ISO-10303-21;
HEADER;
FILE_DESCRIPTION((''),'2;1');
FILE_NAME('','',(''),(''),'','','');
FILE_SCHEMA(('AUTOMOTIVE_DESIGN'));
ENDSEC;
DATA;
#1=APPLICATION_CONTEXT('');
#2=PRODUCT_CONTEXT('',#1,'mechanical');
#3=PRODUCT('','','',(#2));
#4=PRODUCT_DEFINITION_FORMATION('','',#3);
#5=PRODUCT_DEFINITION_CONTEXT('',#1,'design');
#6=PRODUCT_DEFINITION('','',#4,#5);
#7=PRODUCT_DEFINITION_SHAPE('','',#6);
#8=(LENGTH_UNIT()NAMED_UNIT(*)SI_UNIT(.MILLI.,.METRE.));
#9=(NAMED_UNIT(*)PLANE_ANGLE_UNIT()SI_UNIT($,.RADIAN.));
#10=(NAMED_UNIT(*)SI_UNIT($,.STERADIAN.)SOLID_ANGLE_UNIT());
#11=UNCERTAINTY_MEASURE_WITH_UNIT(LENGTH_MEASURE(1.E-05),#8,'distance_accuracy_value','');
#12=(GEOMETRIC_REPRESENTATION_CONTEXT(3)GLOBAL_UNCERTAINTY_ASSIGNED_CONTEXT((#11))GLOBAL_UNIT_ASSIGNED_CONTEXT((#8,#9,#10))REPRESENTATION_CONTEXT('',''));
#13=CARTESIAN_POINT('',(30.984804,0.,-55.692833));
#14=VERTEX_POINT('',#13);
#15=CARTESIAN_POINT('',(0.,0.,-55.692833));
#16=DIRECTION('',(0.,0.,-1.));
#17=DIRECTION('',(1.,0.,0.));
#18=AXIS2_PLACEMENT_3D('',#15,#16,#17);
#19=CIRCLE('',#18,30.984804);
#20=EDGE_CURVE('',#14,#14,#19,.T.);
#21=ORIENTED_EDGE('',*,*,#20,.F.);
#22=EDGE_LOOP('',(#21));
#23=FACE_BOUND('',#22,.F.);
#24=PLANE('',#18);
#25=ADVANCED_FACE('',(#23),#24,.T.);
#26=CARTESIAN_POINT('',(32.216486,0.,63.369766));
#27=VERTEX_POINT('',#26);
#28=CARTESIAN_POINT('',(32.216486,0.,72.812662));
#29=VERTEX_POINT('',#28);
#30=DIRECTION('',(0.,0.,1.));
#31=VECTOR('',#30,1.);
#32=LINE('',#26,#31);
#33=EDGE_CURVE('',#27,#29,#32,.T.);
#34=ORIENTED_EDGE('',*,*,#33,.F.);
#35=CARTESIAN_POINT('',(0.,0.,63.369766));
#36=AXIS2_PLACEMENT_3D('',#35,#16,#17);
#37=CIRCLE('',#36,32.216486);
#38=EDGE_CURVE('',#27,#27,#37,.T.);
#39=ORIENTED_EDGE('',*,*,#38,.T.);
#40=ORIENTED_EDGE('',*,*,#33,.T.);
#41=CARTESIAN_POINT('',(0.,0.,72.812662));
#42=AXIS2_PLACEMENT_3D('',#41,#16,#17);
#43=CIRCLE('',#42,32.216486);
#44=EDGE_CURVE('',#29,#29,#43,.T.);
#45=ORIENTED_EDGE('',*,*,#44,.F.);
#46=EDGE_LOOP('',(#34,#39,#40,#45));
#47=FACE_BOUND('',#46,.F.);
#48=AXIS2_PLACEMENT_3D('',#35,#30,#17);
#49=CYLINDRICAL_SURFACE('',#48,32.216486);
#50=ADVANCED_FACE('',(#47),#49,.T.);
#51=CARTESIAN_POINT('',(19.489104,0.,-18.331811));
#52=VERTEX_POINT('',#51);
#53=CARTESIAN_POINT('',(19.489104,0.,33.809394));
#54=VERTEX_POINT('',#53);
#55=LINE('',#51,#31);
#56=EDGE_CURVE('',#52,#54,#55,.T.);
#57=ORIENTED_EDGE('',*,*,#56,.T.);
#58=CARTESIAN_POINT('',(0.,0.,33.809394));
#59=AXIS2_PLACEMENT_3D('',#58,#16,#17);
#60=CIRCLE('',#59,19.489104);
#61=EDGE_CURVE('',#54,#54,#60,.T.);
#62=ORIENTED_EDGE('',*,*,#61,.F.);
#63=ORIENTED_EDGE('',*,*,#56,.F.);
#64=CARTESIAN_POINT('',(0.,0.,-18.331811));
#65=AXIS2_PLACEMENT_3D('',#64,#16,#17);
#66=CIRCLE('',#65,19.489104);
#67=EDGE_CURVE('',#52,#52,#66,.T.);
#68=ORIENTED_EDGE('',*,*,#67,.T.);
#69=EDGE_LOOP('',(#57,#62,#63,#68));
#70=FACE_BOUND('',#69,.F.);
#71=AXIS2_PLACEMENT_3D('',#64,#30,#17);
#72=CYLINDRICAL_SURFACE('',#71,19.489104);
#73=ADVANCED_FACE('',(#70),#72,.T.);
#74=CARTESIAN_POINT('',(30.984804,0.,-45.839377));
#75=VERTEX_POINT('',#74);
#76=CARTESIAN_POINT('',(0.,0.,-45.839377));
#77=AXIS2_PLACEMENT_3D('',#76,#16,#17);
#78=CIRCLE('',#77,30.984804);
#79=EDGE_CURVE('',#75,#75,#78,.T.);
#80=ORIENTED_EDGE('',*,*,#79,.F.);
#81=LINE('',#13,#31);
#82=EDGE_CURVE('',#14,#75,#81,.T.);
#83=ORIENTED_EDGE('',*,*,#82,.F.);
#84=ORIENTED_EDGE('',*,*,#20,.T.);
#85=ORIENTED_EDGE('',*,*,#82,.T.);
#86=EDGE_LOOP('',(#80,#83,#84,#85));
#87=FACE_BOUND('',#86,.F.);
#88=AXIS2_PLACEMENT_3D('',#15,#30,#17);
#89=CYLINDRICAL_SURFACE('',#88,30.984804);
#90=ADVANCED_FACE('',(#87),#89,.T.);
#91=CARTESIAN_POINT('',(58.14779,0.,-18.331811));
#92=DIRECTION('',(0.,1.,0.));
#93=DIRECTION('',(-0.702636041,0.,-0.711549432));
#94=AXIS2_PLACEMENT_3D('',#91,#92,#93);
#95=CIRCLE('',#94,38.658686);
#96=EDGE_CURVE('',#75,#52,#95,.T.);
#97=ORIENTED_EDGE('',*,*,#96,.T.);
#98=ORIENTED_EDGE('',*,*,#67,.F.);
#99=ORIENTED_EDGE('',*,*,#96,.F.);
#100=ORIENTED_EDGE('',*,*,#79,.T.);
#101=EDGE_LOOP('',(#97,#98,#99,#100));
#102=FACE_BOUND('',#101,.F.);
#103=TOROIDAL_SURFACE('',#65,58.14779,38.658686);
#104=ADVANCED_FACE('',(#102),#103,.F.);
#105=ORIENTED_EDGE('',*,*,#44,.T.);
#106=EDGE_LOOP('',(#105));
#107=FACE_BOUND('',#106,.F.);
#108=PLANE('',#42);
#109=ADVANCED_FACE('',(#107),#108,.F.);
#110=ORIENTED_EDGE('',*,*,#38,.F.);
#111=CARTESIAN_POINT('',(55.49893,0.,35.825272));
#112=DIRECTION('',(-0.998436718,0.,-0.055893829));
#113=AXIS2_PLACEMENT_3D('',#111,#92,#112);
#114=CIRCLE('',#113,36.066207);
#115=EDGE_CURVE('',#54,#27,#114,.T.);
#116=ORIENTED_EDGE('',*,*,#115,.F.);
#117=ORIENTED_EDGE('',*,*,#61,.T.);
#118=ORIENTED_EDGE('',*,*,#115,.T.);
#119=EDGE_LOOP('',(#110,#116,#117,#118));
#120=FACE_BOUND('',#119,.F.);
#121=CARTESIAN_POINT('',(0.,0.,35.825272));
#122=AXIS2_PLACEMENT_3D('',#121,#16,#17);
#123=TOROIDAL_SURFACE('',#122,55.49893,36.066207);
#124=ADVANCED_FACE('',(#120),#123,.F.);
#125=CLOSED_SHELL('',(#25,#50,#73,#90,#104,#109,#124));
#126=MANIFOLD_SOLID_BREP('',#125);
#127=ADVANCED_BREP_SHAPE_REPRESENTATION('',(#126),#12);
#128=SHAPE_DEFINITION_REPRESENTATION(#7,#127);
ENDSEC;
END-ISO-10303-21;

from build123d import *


with BuildPart() as f1:
    # F0 (on Front) → F1 (revolve)
    with BuildSketch(Plane.XZ):
        with BuildLine():
            Line((32.216486, 72.812662), (0, 72.812662))
            Line((0, 72.812662), (0, -55.692833))
            Line((0, -55.692833), (30.984804, -55.692833))
            Line((30.984804, -55.692833), (30.984804, -45.839377))
            ThreePointArc((30.984804, -45.839377), (22.47862, -33.23833), (19.489104, -18.331811))
            Line((19.489104, -18.331811), (19.489104, 33.809394))
            ThreePointArc((19.489104, 33.809394), (22.372698, 50.087954), (32.216486, 63.369766))
            Line((32.216486, 63.369766), (32.216486, 72.812662))
        make_face()
    revolve(axis=Axis((0, 0, -0.267141), (0, 0, -1)))


solid = f1.part
